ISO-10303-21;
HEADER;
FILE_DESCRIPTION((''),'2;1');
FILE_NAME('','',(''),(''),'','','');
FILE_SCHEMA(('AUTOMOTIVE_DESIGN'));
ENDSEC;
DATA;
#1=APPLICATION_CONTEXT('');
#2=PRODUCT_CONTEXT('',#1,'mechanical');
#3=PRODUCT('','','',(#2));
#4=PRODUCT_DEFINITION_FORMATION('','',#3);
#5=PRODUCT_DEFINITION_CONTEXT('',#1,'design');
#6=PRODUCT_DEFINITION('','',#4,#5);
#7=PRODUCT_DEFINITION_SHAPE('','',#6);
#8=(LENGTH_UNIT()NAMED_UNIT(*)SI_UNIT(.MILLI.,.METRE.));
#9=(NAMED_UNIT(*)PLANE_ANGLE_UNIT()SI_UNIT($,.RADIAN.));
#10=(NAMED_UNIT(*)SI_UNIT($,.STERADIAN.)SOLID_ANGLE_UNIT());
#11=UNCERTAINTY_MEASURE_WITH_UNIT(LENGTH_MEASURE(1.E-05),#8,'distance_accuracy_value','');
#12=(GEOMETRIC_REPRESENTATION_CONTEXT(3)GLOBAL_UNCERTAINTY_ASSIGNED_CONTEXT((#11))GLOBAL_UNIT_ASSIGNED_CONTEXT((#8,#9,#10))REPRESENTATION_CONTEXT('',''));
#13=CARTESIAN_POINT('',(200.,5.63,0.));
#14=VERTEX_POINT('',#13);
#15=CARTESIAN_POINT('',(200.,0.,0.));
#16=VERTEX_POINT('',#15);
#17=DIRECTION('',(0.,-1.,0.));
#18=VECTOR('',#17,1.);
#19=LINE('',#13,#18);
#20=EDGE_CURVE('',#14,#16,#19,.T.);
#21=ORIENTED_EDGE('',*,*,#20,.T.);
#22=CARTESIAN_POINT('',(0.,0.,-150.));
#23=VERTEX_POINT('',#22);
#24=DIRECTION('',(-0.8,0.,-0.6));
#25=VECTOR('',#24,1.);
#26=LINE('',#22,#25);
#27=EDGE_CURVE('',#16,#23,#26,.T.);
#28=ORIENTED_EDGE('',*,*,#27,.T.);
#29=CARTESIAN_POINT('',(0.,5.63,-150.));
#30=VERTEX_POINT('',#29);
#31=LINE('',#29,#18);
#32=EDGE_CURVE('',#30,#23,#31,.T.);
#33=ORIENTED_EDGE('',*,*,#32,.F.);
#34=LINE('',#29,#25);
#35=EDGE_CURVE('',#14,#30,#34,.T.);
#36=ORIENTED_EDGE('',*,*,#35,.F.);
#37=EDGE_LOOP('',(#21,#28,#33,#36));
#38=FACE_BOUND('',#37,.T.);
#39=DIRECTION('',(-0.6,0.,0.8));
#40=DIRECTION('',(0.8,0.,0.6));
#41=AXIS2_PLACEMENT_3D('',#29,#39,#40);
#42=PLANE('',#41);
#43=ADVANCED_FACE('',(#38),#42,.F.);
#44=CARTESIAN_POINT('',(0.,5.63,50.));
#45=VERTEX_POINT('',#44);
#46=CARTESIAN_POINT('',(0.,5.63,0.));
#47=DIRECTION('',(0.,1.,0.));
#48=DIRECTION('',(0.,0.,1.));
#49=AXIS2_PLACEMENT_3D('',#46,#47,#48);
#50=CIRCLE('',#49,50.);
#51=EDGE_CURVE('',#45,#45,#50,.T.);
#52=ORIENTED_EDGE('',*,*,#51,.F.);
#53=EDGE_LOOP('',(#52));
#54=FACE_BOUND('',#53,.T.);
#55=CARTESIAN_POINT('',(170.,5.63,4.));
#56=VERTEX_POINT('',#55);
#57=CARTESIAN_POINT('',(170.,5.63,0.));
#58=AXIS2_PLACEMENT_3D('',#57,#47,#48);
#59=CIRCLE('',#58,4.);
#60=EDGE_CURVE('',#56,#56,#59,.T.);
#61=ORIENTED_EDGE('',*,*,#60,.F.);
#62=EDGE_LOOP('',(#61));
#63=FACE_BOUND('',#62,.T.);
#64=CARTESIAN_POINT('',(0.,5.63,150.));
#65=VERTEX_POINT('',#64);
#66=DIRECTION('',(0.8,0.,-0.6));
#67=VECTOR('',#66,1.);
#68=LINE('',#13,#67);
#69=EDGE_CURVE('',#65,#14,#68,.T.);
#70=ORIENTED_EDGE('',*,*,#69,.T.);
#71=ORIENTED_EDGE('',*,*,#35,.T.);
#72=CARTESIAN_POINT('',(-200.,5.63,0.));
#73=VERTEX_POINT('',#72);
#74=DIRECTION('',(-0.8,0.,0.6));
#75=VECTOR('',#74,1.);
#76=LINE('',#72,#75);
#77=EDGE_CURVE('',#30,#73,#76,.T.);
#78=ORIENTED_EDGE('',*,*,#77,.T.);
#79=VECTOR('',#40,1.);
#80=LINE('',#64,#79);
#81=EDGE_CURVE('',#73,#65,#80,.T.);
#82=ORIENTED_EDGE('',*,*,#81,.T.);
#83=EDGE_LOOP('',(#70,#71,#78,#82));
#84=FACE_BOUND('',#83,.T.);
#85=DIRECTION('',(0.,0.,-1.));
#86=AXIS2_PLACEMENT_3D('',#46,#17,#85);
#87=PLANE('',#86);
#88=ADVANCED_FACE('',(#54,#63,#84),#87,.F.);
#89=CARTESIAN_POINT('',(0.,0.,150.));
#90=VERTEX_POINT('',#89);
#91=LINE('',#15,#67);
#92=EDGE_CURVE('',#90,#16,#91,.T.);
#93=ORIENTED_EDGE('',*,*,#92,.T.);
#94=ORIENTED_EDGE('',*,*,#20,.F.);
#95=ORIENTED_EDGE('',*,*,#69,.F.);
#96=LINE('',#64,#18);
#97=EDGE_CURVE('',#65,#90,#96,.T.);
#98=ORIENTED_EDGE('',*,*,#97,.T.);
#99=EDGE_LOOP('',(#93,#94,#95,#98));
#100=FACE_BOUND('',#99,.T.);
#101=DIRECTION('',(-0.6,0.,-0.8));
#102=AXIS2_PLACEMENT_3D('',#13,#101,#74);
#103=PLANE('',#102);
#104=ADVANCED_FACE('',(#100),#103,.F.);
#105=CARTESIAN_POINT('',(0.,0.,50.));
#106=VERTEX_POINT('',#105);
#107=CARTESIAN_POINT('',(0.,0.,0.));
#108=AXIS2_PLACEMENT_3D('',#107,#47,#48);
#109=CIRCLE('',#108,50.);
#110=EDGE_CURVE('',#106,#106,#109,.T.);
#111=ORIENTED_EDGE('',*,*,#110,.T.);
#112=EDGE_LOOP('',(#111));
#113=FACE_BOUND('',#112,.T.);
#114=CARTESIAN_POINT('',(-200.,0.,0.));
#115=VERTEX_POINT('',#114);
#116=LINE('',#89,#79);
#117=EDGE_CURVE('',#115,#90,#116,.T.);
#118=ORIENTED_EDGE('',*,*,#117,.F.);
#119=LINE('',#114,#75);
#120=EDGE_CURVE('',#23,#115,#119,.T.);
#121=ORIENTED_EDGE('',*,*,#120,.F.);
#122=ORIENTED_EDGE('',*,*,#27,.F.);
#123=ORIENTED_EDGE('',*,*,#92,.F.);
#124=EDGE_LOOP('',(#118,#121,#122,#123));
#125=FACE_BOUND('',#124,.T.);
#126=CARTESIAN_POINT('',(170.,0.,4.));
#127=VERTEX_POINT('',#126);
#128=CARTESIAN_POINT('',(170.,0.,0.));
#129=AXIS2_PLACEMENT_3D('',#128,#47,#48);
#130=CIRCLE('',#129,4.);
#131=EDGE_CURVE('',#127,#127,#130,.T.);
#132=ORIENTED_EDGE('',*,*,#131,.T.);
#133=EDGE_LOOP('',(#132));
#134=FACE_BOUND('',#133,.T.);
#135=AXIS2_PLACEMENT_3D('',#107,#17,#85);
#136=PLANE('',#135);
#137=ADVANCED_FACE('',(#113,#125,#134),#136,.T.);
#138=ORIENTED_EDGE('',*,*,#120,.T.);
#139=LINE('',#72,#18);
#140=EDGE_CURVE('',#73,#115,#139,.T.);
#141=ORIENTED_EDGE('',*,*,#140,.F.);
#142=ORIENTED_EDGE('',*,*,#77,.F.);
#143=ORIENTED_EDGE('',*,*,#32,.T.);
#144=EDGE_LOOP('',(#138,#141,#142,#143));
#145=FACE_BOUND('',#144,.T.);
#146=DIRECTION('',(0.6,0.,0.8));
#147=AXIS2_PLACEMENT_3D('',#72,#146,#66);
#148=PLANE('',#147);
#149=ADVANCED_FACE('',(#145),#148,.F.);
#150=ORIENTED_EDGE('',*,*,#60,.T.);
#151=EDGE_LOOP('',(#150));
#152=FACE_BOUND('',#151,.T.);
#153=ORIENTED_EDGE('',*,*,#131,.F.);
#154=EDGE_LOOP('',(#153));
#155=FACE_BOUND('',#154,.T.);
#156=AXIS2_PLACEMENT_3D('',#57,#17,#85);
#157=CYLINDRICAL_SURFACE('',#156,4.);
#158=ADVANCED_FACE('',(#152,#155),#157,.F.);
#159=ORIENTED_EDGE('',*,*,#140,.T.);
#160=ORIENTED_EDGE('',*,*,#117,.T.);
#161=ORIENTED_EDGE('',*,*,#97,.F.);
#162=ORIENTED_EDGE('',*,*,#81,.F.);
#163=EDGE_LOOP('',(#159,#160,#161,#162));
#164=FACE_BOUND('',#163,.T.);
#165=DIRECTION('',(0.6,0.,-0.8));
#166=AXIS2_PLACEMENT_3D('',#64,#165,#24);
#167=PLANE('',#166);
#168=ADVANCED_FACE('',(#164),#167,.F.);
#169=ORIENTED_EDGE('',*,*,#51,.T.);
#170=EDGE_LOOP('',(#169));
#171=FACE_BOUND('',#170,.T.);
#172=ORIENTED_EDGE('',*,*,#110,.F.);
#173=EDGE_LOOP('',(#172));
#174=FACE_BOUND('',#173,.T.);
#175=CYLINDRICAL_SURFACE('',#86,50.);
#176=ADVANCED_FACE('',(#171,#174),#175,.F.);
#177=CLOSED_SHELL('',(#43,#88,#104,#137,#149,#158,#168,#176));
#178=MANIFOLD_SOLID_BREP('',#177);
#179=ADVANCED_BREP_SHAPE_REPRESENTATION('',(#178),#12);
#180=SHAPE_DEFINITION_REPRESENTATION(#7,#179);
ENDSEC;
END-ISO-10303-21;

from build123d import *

# Parameters (mm, degrees)
SKETCH1_R           = 50
SKETCH1_R_2         = 4
BOSS_EXTRUDE1_DEPTH = 5.63


with BuildPart() as part:
    # Sketch1 → Boss-Extrude1 (new body)
    with BuildSketch(Plane(origin=(0, 0, 0), x_dir=(1, 0, 0), z_dir=(0, 1, 0))):
        Polygon((0, 150), (200, 0), (0, -150), (-200, 0), align=None)
        with Locations(Location((0, 0, 0), (0, 0, 270))):
            Circle(SKETCH1_R, mode=Mode.SUBTRACT)
        with Locations(Location((170, 0, 0), (0, 0, 270))):
            Circle(SKETCH1_R_2, mode=Mode.SUBTRACT)
    extrude(amount=BOSS_EXTRUDE1_DEPTH)


solid = part.part
